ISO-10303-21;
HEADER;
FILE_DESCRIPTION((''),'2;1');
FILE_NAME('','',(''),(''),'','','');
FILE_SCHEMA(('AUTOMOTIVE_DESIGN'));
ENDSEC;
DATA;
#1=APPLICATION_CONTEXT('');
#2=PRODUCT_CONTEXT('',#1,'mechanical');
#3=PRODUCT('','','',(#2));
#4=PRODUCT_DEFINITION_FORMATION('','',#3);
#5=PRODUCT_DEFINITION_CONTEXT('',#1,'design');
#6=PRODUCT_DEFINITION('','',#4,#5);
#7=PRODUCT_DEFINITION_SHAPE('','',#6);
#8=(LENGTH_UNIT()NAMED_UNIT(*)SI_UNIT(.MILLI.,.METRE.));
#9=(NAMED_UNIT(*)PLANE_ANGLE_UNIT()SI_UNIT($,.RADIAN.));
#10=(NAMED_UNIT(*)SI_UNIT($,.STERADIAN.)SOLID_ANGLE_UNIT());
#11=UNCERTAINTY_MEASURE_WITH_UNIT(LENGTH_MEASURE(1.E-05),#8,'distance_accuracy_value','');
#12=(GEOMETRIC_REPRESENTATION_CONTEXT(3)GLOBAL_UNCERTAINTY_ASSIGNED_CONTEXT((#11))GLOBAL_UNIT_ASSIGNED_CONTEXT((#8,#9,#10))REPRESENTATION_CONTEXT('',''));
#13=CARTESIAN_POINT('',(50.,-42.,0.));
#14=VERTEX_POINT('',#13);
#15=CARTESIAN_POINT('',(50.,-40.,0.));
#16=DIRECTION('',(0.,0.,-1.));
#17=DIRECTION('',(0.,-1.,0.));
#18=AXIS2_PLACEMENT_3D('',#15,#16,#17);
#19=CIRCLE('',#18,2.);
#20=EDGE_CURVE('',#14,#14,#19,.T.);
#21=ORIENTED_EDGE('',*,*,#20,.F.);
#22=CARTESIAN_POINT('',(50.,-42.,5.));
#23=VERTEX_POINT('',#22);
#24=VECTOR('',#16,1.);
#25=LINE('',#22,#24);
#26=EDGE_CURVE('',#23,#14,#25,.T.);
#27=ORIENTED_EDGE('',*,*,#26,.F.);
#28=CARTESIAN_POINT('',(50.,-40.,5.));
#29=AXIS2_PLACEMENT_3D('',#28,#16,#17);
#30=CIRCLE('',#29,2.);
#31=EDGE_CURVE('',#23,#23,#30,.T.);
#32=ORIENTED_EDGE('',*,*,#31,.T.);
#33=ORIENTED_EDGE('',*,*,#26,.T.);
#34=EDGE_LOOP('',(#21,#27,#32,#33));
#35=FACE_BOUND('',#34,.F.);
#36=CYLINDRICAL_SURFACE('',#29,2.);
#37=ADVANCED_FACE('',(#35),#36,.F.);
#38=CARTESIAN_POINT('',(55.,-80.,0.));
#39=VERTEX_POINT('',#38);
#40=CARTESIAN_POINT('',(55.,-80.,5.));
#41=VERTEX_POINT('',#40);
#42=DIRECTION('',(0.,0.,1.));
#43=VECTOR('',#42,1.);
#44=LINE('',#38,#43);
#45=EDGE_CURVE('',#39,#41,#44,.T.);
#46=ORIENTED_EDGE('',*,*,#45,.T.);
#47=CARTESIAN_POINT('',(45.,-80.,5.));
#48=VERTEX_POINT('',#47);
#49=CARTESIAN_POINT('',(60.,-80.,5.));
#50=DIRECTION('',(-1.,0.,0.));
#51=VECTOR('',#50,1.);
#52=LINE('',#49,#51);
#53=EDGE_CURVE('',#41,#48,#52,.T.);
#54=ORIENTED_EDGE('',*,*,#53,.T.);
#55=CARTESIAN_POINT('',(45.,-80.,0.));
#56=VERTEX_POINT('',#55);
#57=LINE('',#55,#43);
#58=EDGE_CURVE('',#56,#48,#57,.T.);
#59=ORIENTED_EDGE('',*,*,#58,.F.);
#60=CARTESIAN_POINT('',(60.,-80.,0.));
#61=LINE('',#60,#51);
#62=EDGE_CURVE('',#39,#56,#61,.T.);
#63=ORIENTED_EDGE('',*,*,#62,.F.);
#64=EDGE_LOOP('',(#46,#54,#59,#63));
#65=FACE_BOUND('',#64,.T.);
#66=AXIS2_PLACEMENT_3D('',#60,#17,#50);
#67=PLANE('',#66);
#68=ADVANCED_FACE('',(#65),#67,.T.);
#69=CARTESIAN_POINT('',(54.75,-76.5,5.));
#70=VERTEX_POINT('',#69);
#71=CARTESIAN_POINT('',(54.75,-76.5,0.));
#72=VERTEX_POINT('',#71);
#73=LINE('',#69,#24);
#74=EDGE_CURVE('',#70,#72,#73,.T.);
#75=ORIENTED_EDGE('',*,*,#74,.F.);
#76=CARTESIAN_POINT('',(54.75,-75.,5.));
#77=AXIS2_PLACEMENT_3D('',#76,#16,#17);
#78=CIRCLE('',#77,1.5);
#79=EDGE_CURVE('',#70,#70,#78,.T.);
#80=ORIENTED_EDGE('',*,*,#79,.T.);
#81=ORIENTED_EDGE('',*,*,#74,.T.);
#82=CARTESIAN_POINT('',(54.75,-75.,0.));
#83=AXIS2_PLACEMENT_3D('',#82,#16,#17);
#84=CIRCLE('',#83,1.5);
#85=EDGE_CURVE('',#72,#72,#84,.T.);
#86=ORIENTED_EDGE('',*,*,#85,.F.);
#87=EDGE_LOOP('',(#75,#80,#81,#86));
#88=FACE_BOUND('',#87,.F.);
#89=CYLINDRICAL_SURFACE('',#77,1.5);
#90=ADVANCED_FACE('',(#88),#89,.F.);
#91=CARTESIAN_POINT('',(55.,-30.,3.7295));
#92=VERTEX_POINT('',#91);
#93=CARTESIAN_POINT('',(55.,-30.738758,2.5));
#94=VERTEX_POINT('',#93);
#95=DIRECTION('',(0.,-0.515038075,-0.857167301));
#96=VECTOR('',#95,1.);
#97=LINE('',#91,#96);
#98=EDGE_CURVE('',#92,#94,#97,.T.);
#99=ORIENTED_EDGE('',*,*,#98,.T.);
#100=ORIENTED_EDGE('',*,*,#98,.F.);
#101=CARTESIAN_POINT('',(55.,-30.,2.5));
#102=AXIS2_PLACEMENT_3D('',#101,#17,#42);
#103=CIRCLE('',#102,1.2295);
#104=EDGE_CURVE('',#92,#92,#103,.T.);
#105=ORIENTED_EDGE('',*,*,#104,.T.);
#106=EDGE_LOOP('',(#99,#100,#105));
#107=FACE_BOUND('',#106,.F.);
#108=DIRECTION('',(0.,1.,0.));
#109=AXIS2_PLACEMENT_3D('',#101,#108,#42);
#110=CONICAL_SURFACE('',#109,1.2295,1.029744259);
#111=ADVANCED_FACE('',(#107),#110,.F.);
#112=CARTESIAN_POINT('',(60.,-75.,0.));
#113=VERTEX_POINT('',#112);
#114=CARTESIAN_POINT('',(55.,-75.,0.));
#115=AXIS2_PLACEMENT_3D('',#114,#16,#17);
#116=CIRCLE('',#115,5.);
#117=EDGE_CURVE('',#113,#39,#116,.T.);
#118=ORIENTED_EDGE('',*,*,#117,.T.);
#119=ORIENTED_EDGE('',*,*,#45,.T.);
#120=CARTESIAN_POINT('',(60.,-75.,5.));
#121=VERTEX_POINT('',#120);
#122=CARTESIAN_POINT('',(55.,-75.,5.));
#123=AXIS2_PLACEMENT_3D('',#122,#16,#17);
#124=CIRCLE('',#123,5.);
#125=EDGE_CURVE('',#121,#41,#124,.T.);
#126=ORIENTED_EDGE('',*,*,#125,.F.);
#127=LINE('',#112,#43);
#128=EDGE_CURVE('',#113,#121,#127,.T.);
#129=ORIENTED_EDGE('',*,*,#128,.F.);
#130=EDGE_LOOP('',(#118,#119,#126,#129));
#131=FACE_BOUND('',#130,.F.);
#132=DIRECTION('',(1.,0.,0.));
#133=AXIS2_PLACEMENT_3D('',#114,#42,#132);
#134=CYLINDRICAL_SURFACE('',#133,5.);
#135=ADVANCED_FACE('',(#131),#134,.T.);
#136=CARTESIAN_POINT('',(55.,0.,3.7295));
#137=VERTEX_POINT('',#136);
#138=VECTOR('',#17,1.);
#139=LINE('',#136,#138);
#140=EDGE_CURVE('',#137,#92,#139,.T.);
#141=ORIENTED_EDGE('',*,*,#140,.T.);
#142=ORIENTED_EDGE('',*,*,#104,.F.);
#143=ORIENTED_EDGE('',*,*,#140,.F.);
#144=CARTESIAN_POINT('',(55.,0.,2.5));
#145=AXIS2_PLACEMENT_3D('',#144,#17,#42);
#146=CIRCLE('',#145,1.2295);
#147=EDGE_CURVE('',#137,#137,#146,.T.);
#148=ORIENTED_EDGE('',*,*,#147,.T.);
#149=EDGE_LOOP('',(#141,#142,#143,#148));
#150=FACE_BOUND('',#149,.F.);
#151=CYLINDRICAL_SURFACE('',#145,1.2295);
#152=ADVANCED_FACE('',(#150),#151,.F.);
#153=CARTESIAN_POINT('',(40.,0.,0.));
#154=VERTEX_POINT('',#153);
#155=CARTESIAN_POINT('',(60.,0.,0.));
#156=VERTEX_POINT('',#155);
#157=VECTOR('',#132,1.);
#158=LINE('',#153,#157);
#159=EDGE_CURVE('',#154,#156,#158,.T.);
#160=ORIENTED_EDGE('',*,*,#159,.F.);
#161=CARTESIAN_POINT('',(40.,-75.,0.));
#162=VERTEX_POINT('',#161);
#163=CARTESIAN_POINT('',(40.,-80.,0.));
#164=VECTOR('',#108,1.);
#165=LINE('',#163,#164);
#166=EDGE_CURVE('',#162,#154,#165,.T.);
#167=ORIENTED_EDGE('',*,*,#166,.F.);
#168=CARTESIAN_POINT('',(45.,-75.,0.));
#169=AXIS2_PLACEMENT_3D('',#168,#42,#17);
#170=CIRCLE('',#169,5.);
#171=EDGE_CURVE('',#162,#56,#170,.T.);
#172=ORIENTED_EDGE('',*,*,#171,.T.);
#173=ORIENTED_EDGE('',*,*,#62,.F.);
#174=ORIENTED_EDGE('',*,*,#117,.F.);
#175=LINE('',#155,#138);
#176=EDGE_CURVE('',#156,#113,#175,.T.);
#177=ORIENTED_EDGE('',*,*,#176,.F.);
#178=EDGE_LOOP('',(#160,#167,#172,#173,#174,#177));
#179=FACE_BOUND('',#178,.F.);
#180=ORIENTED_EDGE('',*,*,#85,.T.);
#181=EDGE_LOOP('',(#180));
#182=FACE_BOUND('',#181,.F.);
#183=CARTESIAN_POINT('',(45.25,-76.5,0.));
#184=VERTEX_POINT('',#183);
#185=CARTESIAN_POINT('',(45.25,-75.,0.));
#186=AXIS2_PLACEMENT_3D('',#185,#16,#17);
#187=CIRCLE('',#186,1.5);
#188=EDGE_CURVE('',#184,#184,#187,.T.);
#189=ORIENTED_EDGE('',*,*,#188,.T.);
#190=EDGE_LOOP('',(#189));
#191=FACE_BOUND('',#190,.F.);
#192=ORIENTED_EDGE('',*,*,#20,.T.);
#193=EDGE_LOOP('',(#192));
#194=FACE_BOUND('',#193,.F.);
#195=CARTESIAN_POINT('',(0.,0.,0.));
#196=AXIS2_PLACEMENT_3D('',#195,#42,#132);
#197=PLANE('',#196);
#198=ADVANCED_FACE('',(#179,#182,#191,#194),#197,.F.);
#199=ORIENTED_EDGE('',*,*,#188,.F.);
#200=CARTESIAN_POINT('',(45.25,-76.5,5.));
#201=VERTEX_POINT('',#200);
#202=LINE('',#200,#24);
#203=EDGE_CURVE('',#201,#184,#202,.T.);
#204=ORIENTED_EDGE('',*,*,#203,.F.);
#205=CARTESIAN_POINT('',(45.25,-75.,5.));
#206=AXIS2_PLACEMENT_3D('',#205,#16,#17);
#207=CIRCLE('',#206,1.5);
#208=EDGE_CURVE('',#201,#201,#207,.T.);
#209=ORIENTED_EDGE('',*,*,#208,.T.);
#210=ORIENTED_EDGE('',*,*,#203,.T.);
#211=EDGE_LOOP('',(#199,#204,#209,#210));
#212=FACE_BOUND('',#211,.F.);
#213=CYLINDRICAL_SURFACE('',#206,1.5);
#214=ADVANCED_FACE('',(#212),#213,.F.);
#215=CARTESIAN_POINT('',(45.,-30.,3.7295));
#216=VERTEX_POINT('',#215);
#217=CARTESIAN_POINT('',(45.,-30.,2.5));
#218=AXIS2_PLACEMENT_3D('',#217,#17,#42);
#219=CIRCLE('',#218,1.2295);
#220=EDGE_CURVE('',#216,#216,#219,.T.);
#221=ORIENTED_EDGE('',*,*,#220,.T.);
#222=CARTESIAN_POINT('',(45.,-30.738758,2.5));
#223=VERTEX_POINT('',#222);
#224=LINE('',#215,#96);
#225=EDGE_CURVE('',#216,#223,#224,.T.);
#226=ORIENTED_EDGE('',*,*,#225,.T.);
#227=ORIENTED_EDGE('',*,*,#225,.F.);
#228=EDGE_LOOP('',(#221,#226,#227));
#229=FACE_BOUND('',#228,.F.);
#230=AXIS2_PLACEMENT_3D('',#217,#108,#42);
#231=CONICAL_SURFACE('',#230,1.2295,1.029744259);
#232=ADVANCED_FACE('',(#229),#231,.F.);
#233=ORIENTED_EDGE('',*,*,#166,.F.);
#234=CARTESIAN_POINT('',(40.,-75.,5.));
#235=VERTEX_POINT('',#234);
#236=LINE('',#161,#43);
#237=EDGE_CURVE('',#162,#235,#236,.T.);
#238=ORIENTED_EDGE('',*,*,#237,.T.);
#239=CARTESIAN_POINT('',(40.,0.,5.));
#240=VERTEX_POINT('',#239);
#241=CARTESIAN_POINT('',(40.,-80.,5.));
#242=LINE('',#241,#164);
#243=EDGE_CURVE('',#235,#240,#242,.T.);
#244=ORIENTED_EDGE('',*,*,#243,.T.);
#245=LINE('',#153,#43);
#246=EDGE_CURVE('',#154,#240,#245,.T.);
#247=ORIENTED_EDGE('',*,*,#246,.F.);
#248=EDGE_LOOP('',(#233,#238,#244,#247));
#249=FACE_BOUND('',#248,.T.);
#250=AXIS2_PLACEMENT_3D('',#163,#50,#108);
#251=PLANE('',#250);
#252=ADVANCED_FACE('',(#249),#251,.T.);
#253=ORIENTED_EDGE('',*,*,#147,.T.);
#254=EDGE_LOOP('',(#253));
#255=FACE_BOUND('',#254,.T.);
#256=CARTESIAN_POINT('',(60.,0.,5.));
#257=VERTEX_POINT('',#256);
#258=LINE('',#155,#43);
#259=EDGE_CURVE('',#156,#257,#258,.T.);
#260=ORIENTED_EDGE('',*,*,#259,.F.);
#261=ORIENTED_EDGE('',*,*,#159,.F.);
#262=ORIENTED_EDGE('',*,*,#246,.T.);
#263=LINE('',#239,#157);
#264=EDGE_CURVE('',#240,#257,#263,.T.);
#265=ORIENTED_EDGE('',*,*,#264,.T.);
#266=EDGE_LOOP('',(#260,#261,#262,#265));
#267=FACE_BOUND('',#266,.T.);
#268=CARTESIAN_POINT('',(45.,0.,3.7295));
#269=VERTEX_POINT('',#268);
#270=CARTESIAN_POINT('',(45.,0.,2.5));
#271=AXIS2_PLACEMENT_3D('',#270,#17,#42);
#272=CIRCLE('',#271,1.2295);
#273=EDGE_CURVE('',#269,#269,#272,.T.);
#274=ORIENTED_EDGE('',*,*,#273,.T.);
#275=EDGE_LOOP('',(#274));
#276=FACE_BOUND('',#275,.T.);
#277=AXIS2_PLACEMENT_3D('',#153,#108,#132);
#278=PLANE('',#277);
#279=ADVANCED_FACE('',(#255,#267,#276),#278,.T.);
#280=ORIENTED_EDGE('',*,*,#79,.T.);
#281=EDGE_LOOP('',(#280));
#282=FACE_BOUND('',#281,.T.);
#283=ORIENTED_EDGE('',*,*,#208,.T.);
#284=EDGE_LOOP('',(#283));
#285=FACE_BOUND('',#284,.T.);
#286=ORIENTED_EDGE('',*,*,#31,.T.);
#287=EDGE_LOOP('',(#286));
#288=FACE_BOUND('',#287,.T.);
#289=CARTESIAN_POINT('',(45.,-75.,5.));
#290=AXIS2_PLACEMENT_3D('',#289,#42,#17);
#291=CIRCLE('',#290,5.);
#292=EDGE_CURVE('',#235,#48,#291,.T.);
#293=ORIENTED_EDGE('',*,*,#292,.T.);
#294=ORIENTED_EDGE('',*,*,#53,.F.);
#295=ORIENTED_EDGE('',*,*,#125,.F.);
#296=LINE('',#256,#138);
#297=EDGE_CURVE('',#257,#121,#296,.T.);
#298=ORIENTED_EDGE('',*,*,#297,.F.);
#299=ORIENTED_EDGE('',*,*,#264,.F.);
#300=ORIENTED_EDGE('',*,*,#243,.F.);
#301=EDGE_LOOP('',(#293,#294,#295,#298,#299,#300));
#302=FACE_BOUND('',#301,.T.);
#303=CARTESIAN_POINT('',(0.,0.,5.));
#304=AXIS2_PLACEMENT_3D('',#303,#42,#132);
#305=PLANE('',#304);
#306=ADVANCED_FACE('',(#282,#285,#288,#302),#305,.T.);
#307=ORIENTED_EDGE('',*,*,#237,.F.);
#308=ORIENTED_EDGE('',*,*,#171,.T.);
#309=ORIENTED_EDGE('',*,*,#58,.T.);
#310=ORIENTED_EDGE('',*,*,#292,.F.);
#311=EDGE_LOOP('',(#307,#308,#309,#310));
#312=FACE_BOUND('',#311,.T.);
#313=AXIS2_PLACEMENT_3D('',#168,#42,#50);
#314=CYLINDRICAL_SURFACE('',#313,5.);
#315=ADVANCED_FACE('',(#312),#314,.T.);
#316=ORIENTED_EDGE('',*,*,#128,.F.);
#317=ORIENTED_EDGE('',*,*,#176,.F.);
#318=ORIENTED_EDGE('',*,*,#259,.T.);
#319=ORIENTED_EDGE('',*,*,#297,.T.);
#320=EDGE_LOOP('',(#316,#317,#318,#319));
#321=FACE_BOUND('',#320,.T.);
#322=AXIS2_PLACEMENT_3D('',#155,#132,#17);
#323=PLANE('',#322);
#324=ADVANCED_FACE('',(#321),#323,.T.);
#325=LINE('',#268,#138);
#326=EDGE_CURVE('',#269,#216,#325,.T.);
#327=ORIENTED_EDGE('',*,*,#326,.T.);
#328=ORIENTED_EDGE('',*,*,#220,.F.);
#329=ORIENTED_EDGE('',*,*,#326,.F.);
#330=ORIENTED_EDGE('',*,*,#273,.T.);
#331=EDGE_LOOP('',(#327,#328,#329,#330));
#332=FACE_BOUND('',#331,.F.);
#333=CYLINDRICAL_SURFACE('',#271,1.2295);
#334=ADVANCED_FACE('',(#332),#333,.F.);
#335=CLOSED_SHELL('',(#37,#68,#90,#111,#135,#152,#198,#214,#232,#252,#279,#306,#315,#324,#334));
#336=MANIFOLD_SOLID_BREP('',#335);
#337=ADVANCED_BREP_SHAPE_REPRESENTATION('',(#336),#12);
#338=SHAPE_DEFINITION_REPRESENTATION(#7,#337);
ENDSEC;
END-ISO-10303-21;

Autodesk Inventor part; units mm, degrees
ref_plane "YZ Plane" through (0, 0, 0) normal (1, 0, 0) x (0, 1, 0)
ref_plane "XZ Plane" through (0, 0, 0) normal (0, 1, 0) x (-1, 0, 0)
ref_plane "XY Plane" through (0, 0, 0) normal (0, 0, 1) x (1, 0, 0)
sketch "Sketch1" plane through (0, 0, 0) normal (0, 0, 1) x (1, 0, 0)
  line L0 (40, 0) -> (60, 0)
  line L1 (60, 0) -> (60, -80)
  line L2 (60, -80) -> (40, -80)
  line L3 (40, -80) -> (40, 0)
  point P0 (0, 0)
  dimension "d0" = 40
  dimension "d1" = 20
  dimension "d2" = 80
extrude "Extrusion1" add sketch "Sketch1" along normal blind 5
sketch "Sketch2" plane through (0, 0, 5) normal (0, 0, 1) x (1, 0, 0)
  circle A0 centre (45.25, -75) radius 1.5
  circle A1 centre (54.75, -75) radius 1.5
  line L0 (40, -80) -> (60, -80) projected
  line L1 (60, -80) -> (60, 0) projected
  point P0 (0, 0)
  dimension "d5" = 9.5
  dimension "d6" = 5
  dimension "d7" = 5
  dimension "d8" = 5.25
  dimension "d9" = 3
  dimension "d10" = 3
hole "Hole1" at (45.25, -75, 5) at (54.75, -75, 5) direction (0, 0, -1) diameter 3 depth 20 tip angle 118
fillet "Fillet1" radius 5 2 edges at (40, -80, 2.5) (60, -80, 2.5)
sketch "Sketch4" plane through (0, 0, 5) normal (0, 0, 1) x (1, 0, 0)
  circle A0 centre (50, -40) radius 2
  line L0 (40, 0) -> (40, -75) projected
  line L1 (60, 0) -> (40, 0) projected
  line L2 (45, -80) -> (55, -80) projected
  point P0 (0, 0)
  point P1 (40, -73.521)
  dimension "d32" = 4
  dimension "d33" = 10
  dimension "d34" = 40
  dimension "d42" = 80
hole "Hole3" at (50, -40, 5) direction (0, 0, -1) diameter 4 depth 20 tip angle 118
sketch "Sketch6" plane through (40, 0, 0) normal (0, 1, 0) x (1, 0, 0)
  line L0 (5, 0) -> (5, -5) projected
  circle A0 centre (5, -2.5) radius 1.5
  line L1 (15, -5) -> (15, 0) projected
  circle A1 centre (15, -2.5) radius 1.5513
  point P0 (-40, 0)
  dimension "d50" = 3.1027
  dimension "d51" = 3
hole "Hole5" at (45, 0, 2.5) at (55, 0, 2.5) direction (0, -1, 0) diameter 2.459 depth 30 tip angle 118 thread size "M3x0.5" class "6H" standard "ISO Metric profile"
equation "\"d11\" = d9"
equation "\"d34\" = 0.5 * d42"
equation "\"d35\" = d32"
properties part number "Z-Endstophalter2"
